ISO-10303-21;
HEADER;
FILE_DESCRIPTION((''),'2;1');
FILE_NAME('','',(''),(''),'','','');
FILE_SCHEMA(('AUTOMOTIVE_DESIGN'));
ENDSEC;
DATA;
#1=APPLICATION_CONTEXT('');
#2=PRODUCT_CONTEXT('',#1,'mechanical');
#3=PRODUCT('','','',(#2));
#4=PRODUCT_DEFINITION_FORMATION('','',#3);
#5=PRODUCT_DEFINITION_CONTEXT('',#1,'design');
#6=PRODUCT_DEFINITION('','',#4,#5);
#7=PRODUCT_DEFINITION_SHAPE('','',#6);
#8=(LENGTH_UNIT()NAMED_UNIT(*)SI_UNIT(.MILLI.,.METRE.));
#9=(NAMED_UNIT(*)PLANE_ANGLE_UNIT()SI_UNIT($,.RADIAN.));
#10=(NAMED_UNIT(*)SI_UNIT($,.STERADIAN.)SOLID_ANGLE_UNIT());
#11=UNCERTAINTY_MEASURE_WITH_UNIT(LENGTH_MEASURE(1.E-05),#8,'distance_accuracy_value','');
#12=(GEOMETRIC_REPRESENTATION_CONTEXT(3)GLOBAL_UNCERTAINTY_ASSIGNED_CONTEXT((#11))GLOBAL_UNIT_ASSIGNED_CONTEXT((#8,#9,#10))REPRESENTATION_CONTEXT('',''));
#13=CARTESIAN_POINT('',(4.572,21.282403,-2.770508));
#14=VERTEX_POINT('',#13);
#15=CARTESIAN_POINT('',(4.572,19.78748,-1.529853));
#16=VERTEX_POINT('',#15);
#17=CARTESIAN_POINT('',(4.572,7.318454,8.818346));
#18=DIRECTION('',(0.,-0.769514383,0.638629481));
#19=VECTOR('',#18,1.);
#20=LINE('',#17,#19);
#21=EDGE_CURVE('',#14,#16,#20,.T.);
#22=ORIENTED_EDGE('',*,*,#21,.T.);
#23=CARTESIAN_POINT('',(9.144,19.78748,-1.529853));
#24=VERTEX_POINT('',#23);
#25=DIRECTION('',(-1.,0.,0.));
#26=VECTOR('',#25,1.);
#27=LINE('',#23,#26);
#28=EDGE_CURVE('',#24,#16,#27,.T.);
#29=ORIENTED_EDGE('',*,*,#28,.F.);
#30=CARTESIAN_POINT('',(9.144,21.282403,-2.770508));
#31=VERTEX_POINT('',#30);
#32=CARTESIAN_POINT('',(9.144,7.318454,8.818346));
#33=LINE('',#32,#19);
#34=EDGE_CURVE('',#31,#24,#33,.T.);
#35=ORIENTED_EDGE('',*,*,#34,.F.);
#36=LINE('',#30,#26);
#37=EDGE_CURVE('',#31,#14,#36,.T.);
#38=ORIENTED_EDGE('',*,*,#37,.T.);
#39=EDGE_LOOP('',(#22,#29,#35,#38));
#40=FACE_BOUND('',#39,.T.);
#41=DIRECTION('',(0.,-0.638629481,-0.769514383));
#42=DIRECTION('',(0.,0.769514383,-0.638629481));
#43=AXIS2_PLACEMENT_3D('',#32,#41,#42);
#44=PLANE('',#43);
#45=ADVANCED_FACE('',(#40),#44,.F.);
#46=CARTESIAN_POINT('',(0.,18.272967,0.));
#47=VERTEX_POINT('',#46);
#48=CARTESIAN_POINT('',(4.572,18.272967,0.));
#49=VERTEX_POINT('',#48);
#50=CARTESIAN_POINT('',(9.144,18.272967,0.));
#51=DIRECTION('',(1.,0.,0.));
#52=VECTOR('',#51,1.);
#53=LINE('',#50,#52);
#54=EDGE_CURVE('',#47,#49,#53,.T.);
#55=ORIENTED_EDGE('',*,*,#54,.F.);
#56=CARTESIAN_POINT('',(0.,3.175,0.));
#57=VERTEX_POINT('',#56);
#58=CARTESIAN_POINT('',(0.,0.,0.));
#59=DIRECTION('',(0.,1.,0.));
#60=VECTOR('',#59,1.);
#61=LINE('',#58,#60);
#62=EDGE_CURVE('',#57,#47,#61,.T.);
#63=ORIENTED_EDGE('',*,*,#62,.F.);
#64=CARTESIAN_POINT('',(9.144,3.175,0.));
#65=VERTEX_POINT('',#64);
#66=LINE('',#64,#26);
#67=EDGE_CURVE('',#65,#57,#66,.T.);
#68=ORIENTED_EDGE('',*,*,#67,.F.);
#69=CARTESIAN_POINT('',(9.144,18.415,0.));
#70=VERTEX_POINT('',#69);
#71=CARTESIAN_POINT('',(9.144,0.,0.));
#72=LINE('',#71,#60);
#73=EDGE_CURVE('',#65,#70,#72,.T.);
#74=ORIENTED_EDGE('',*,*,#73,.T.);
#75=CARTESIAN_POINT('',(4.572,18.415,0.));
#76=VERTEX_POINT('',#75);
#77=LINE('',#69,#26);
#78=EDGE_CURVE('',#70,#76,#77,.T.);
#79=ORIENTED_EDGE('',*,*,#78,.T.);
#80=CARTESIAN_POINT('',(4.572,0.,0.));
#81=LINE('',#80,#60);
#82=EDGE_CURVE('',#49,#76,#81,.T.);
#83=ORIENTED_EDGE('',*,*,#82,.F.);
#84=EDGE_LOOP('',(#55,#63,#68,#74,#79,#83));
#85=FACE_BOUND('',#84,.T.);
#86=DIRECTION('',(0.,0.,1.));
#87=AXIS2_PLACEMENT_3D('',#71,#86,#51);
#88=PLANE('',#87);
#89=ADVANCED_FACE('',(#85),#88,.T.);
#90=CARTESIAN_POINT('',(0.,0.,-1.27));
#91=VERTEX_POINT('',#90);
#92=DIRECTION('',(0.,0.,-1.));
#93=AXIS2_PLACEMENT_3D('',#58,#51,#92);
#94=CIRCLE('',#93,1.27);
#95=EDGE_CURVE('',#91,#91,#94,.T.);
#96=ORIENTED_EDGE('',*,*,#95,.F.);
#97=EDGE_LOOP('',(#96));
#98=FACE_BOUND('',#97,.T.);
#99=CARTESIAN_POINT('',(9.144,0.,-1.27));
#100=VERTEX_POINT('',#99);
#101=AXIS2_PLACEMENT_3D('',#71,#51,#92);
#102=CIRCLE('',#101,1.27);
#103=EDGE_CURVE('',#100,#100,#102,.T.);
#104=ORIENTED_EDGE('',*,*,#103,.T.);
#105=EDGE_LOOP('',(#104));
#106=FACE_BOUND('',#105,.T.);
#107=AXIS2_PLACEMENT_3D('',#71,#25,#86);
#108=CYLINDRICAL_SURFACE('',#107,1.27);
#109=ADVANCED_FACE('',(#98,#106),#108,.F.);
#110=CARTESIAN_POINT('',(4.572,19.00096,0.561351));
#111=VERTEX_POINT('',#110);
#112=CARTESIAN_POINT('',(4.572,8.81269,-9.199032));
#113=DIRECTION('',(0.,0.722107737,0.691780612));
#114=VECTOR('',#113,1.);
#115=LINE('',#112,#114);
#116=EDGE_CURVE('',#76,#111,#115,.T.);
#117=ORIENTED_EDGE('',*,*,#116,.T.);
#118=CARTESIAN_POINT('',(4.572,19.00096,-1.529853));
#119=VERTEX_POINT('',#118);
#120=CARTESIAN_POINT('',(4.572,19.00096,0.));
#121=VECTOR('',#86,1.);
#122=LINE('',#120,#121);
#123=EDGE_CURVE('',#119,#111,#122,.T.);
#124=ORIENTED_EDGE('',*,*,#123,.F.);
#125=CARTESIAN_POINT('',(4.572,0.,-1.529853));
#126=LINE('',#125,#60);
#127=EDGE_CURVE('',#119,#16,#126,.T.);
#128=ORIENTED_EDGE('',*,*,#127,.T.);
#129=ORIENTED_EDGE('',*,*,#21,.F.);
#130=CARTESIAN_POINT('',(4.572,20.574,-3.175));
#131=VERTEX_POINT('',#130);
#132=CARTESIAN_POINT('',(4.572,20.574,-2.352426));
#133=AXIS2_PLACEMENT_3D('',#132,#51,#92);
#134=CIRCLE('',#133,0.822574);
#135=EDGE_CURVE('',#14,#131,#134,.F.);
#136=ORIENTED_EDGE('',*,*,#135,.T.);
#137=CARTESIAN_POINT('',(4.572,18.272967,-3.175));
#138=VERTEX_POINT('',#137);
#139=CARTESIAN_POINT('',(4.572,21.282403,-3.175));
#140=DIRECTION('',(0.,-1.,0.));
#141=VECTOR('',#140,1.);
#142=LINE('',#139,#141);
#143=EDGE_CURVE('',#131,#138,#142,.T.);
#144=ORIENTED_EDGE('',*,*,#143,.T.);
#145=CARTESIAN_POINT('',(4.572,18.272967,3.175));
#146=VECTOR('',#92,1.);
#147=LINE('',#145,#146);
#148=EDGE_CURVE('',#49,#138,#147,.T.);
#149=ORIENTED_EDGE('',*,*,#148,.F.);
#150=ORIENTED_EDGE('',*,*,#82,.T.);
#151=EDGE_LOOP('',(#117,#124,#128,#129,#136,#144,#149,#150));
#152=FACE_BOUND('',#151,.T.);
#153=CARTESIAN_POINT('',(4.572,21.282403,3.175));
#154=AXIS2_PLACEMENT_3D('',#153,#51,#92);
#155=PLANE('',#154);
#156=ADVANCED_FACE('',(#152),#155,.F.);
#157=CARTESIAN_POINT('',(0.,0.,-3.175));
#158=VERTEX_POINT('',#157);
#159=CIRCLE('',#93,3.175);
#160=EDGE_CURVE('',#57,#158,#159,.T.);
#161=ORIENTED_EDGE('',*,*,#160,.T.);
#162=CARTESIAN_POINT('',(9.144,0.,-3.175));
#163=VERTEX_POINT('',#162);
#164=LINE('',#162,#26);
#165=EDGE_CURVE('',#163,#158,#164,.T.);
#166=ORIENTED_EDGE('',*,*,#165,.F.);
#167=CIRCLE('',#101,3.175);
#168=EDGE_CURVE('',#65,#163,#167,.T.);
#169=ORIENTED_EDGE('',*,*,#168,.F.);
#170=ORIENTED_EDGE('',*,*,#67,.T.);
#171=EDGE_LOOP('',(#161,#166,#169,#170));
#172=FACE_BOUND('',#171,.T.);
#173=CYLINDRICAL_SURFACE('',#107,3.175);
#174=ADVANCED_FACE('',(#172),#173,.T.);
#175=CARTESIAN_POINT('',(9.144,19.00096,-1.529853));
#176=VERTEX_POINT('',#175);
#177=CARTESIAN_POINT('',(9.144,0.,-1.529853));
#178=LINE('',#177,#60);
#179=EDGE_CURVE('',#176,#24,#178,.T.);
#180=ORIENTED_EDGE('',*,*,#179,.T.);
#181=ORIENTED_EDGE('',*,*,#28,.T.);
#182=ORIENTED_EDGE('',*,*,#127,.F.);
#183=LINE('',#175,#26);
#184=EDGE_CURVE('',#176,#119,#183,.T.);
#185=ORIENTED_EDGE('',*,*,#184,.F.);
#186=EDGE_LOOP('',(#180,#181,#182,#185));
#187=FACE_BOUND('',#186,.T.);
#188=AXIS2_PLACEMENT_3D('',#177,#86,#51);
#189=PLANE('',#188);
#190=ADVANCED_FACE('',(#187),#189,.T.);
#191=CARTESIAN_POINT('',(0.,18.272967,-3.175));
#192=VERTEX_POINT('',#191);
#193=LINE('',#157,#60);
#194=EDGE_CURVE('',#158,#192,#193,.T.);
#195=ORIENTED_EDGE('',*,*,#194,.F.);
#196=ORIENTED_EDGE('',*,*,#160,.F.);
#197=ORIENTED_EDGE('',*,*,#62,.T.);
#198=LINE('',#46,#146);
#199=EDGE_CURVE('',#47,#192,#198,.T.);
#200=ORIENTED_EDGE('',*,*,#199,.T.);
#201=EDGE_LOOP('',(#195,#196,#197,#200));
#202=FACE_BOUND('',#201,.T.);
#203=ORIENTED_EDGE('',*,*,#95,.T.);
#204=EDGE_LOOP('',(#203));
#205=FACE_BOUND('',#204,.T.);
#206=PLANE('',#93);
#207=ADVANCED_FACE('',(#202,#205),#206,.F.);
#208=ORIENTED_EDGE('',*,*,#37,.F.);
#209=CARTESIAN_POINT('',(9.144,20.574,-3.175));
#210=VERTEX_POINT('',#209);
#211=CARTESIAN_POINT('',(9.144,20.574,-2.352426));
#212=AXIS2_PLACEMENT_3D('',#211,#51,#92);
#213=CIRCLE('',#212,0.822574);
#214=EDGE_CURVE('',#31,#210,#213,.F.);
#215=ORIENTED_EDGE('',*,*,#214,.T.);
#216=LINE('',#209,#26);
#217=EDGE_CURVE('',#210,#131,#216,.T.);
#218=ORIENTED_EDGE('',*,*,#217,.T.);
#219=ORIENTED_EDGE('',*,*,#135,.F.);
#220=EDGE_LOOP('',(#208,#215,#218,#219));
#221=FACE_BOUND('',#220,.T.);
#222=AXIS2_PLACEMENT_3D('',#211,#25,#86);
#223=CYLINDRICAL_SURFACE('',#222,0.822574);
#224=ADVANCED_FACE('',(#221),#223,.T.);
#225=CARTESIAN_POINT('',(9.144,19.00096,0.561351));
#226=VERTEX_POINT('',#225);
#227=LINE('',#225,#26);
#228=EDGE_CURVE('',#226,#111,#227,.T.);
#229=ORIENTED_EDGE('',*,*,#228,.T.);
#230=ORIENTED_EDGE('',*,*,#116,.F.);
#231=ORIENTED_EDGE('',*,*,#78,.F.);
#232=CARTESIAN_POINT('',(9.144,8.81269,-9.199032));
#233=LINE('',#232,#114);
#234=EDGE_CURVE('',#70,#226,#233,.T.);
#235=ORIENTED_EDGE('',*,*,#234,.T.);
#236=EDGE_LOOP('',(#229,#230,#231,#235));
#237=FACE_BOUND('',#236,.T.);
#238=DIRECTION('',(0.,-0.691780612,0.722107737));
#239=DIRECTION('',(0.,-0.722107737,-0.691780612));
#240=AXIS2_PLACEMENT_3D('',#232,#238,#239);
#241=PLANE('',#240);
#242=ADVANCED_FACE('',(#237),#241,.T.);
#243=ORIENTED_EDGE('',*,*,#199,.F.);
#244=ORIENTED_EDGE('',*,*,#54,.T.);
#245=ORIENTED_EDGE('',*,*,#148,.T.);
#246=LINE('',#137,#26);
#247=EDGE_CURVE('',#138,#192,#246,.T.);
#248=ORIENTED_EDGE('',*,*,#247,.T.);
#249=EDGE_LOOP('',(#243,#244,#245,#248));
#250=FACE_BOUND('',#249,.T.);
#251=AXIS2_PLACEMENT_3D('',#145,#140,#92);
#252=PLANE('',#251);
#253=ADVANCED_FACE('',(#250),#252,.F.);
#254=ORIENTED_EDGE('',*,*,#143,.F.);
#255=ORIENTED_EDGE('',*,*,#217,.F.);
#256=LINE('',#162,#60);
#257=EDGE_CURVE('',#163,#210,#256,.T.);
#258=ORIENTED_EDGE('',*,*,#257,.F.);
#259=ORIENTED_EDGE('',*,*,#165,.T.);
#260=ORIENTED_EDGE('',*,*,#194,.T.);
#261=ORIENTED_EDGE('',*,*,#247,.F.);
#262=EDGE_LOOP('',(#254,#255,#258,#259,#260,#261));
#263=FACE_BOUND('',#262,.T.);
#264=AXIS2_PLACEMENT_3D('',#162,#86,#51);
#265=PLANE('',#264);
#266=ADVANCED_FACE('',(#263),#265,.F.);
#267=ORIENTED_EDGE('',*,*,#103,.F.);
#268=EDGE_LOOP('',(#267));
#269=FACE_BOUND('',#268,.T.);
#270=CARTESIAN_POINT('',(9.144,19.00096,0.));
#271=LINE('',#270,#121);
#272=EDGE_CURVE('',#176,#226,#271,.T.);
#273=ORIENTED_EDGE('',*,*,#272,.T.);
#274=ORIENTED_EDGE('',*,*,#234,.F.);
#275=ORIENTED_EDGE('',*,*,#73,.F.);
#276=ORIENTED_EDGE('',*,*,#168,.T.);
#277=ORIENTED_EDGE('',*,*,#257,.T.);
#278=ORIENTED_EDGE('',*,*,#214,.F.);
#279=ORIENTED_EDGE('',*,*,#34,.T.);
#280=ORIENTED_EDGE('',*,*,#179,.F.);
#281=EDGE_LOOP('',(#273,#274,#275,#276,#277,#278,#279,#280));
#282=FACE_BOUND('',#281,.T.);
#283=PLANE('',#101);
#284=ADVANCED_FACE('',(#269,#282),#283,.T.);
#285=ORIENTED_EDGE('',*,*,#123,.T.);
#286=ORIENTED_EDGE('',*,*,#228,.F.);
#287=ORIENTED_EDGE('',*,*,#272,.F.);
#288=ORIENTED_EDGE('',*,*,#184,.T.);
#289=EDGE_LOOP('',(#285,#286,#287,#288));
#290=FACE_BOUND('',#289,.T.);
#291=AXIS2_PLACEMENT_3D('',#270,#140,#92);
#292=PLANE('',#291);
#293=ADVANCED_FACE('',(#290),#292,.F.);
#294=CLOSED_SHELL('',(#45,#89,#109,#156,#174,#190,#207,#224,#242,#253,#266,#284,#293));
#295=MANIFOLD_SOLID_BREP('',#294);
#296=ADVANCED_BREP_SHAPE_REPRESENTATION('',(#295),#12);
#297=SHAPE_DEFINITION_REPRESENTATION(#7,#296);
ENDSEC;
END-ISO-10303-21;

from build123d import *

# Parameters (mm, degrees)
SKETCH2_R           = 1.27
BOSS_EXTRUDE1_DEPTH = 9.144
SKETCH3_W           = 4.572
SKETCH3_H           = 3.009435793
CUT_EXTRUDE1_DEPTH  = 25.018241396


with BuildPart() as part:
    # Sketch2 → Boss-Extrude1 (new body)
    with BuildSketch(Plane(origin=(0, 0, 0), x_dir=(0, 0, -1), z_dir=(1, 0, 0))):
        with BuildLine():
            Line((0, 18.415), (0, 3.175))
            ThreePointArc((0, 3.175), (-2.24506403, -2.24506403), (3.175, 0))
            Line((3.175, 0), (3.175, 20.574))
            ThreePointArc((3.175, 20.574), (3.066754835, 20.981875221), (2.770508017, 21.282403148))
            Line((2.770508017, 21.282403148), (1.52985297, 19.787480142))
            Line((1.52985297, 19.787480142), (1.52985297, 19.000960284))
            Line((1.52985297, 19.000960284), (-0.561351088, 19.000960284))
            Line((-0.561351088, 19.000960284), (0, 18.415))
        make_face()
        Circle(SKETCH2_R, mode=Mode.SUBTRACT)
    extrude(amount=BOSS_EXTRUDE1_DEPTH)

    # Sketch3 → Cut-Extrude1 (cut, through all)
    with BuildSketch(Plane(origin=(0, 0, -3.175), x_dir=(-1, 0, 0), z_dir=(0, 0, -1))):
        with Locations((-2.286, 19.777685252)):
            Rectangle(SKETCH3_W, SKETCH3_H)
    extrude(amount=-CUT_EXTRUDE1_DEPTH, mode=Mode.SUBTRACT)


solid = part.part
